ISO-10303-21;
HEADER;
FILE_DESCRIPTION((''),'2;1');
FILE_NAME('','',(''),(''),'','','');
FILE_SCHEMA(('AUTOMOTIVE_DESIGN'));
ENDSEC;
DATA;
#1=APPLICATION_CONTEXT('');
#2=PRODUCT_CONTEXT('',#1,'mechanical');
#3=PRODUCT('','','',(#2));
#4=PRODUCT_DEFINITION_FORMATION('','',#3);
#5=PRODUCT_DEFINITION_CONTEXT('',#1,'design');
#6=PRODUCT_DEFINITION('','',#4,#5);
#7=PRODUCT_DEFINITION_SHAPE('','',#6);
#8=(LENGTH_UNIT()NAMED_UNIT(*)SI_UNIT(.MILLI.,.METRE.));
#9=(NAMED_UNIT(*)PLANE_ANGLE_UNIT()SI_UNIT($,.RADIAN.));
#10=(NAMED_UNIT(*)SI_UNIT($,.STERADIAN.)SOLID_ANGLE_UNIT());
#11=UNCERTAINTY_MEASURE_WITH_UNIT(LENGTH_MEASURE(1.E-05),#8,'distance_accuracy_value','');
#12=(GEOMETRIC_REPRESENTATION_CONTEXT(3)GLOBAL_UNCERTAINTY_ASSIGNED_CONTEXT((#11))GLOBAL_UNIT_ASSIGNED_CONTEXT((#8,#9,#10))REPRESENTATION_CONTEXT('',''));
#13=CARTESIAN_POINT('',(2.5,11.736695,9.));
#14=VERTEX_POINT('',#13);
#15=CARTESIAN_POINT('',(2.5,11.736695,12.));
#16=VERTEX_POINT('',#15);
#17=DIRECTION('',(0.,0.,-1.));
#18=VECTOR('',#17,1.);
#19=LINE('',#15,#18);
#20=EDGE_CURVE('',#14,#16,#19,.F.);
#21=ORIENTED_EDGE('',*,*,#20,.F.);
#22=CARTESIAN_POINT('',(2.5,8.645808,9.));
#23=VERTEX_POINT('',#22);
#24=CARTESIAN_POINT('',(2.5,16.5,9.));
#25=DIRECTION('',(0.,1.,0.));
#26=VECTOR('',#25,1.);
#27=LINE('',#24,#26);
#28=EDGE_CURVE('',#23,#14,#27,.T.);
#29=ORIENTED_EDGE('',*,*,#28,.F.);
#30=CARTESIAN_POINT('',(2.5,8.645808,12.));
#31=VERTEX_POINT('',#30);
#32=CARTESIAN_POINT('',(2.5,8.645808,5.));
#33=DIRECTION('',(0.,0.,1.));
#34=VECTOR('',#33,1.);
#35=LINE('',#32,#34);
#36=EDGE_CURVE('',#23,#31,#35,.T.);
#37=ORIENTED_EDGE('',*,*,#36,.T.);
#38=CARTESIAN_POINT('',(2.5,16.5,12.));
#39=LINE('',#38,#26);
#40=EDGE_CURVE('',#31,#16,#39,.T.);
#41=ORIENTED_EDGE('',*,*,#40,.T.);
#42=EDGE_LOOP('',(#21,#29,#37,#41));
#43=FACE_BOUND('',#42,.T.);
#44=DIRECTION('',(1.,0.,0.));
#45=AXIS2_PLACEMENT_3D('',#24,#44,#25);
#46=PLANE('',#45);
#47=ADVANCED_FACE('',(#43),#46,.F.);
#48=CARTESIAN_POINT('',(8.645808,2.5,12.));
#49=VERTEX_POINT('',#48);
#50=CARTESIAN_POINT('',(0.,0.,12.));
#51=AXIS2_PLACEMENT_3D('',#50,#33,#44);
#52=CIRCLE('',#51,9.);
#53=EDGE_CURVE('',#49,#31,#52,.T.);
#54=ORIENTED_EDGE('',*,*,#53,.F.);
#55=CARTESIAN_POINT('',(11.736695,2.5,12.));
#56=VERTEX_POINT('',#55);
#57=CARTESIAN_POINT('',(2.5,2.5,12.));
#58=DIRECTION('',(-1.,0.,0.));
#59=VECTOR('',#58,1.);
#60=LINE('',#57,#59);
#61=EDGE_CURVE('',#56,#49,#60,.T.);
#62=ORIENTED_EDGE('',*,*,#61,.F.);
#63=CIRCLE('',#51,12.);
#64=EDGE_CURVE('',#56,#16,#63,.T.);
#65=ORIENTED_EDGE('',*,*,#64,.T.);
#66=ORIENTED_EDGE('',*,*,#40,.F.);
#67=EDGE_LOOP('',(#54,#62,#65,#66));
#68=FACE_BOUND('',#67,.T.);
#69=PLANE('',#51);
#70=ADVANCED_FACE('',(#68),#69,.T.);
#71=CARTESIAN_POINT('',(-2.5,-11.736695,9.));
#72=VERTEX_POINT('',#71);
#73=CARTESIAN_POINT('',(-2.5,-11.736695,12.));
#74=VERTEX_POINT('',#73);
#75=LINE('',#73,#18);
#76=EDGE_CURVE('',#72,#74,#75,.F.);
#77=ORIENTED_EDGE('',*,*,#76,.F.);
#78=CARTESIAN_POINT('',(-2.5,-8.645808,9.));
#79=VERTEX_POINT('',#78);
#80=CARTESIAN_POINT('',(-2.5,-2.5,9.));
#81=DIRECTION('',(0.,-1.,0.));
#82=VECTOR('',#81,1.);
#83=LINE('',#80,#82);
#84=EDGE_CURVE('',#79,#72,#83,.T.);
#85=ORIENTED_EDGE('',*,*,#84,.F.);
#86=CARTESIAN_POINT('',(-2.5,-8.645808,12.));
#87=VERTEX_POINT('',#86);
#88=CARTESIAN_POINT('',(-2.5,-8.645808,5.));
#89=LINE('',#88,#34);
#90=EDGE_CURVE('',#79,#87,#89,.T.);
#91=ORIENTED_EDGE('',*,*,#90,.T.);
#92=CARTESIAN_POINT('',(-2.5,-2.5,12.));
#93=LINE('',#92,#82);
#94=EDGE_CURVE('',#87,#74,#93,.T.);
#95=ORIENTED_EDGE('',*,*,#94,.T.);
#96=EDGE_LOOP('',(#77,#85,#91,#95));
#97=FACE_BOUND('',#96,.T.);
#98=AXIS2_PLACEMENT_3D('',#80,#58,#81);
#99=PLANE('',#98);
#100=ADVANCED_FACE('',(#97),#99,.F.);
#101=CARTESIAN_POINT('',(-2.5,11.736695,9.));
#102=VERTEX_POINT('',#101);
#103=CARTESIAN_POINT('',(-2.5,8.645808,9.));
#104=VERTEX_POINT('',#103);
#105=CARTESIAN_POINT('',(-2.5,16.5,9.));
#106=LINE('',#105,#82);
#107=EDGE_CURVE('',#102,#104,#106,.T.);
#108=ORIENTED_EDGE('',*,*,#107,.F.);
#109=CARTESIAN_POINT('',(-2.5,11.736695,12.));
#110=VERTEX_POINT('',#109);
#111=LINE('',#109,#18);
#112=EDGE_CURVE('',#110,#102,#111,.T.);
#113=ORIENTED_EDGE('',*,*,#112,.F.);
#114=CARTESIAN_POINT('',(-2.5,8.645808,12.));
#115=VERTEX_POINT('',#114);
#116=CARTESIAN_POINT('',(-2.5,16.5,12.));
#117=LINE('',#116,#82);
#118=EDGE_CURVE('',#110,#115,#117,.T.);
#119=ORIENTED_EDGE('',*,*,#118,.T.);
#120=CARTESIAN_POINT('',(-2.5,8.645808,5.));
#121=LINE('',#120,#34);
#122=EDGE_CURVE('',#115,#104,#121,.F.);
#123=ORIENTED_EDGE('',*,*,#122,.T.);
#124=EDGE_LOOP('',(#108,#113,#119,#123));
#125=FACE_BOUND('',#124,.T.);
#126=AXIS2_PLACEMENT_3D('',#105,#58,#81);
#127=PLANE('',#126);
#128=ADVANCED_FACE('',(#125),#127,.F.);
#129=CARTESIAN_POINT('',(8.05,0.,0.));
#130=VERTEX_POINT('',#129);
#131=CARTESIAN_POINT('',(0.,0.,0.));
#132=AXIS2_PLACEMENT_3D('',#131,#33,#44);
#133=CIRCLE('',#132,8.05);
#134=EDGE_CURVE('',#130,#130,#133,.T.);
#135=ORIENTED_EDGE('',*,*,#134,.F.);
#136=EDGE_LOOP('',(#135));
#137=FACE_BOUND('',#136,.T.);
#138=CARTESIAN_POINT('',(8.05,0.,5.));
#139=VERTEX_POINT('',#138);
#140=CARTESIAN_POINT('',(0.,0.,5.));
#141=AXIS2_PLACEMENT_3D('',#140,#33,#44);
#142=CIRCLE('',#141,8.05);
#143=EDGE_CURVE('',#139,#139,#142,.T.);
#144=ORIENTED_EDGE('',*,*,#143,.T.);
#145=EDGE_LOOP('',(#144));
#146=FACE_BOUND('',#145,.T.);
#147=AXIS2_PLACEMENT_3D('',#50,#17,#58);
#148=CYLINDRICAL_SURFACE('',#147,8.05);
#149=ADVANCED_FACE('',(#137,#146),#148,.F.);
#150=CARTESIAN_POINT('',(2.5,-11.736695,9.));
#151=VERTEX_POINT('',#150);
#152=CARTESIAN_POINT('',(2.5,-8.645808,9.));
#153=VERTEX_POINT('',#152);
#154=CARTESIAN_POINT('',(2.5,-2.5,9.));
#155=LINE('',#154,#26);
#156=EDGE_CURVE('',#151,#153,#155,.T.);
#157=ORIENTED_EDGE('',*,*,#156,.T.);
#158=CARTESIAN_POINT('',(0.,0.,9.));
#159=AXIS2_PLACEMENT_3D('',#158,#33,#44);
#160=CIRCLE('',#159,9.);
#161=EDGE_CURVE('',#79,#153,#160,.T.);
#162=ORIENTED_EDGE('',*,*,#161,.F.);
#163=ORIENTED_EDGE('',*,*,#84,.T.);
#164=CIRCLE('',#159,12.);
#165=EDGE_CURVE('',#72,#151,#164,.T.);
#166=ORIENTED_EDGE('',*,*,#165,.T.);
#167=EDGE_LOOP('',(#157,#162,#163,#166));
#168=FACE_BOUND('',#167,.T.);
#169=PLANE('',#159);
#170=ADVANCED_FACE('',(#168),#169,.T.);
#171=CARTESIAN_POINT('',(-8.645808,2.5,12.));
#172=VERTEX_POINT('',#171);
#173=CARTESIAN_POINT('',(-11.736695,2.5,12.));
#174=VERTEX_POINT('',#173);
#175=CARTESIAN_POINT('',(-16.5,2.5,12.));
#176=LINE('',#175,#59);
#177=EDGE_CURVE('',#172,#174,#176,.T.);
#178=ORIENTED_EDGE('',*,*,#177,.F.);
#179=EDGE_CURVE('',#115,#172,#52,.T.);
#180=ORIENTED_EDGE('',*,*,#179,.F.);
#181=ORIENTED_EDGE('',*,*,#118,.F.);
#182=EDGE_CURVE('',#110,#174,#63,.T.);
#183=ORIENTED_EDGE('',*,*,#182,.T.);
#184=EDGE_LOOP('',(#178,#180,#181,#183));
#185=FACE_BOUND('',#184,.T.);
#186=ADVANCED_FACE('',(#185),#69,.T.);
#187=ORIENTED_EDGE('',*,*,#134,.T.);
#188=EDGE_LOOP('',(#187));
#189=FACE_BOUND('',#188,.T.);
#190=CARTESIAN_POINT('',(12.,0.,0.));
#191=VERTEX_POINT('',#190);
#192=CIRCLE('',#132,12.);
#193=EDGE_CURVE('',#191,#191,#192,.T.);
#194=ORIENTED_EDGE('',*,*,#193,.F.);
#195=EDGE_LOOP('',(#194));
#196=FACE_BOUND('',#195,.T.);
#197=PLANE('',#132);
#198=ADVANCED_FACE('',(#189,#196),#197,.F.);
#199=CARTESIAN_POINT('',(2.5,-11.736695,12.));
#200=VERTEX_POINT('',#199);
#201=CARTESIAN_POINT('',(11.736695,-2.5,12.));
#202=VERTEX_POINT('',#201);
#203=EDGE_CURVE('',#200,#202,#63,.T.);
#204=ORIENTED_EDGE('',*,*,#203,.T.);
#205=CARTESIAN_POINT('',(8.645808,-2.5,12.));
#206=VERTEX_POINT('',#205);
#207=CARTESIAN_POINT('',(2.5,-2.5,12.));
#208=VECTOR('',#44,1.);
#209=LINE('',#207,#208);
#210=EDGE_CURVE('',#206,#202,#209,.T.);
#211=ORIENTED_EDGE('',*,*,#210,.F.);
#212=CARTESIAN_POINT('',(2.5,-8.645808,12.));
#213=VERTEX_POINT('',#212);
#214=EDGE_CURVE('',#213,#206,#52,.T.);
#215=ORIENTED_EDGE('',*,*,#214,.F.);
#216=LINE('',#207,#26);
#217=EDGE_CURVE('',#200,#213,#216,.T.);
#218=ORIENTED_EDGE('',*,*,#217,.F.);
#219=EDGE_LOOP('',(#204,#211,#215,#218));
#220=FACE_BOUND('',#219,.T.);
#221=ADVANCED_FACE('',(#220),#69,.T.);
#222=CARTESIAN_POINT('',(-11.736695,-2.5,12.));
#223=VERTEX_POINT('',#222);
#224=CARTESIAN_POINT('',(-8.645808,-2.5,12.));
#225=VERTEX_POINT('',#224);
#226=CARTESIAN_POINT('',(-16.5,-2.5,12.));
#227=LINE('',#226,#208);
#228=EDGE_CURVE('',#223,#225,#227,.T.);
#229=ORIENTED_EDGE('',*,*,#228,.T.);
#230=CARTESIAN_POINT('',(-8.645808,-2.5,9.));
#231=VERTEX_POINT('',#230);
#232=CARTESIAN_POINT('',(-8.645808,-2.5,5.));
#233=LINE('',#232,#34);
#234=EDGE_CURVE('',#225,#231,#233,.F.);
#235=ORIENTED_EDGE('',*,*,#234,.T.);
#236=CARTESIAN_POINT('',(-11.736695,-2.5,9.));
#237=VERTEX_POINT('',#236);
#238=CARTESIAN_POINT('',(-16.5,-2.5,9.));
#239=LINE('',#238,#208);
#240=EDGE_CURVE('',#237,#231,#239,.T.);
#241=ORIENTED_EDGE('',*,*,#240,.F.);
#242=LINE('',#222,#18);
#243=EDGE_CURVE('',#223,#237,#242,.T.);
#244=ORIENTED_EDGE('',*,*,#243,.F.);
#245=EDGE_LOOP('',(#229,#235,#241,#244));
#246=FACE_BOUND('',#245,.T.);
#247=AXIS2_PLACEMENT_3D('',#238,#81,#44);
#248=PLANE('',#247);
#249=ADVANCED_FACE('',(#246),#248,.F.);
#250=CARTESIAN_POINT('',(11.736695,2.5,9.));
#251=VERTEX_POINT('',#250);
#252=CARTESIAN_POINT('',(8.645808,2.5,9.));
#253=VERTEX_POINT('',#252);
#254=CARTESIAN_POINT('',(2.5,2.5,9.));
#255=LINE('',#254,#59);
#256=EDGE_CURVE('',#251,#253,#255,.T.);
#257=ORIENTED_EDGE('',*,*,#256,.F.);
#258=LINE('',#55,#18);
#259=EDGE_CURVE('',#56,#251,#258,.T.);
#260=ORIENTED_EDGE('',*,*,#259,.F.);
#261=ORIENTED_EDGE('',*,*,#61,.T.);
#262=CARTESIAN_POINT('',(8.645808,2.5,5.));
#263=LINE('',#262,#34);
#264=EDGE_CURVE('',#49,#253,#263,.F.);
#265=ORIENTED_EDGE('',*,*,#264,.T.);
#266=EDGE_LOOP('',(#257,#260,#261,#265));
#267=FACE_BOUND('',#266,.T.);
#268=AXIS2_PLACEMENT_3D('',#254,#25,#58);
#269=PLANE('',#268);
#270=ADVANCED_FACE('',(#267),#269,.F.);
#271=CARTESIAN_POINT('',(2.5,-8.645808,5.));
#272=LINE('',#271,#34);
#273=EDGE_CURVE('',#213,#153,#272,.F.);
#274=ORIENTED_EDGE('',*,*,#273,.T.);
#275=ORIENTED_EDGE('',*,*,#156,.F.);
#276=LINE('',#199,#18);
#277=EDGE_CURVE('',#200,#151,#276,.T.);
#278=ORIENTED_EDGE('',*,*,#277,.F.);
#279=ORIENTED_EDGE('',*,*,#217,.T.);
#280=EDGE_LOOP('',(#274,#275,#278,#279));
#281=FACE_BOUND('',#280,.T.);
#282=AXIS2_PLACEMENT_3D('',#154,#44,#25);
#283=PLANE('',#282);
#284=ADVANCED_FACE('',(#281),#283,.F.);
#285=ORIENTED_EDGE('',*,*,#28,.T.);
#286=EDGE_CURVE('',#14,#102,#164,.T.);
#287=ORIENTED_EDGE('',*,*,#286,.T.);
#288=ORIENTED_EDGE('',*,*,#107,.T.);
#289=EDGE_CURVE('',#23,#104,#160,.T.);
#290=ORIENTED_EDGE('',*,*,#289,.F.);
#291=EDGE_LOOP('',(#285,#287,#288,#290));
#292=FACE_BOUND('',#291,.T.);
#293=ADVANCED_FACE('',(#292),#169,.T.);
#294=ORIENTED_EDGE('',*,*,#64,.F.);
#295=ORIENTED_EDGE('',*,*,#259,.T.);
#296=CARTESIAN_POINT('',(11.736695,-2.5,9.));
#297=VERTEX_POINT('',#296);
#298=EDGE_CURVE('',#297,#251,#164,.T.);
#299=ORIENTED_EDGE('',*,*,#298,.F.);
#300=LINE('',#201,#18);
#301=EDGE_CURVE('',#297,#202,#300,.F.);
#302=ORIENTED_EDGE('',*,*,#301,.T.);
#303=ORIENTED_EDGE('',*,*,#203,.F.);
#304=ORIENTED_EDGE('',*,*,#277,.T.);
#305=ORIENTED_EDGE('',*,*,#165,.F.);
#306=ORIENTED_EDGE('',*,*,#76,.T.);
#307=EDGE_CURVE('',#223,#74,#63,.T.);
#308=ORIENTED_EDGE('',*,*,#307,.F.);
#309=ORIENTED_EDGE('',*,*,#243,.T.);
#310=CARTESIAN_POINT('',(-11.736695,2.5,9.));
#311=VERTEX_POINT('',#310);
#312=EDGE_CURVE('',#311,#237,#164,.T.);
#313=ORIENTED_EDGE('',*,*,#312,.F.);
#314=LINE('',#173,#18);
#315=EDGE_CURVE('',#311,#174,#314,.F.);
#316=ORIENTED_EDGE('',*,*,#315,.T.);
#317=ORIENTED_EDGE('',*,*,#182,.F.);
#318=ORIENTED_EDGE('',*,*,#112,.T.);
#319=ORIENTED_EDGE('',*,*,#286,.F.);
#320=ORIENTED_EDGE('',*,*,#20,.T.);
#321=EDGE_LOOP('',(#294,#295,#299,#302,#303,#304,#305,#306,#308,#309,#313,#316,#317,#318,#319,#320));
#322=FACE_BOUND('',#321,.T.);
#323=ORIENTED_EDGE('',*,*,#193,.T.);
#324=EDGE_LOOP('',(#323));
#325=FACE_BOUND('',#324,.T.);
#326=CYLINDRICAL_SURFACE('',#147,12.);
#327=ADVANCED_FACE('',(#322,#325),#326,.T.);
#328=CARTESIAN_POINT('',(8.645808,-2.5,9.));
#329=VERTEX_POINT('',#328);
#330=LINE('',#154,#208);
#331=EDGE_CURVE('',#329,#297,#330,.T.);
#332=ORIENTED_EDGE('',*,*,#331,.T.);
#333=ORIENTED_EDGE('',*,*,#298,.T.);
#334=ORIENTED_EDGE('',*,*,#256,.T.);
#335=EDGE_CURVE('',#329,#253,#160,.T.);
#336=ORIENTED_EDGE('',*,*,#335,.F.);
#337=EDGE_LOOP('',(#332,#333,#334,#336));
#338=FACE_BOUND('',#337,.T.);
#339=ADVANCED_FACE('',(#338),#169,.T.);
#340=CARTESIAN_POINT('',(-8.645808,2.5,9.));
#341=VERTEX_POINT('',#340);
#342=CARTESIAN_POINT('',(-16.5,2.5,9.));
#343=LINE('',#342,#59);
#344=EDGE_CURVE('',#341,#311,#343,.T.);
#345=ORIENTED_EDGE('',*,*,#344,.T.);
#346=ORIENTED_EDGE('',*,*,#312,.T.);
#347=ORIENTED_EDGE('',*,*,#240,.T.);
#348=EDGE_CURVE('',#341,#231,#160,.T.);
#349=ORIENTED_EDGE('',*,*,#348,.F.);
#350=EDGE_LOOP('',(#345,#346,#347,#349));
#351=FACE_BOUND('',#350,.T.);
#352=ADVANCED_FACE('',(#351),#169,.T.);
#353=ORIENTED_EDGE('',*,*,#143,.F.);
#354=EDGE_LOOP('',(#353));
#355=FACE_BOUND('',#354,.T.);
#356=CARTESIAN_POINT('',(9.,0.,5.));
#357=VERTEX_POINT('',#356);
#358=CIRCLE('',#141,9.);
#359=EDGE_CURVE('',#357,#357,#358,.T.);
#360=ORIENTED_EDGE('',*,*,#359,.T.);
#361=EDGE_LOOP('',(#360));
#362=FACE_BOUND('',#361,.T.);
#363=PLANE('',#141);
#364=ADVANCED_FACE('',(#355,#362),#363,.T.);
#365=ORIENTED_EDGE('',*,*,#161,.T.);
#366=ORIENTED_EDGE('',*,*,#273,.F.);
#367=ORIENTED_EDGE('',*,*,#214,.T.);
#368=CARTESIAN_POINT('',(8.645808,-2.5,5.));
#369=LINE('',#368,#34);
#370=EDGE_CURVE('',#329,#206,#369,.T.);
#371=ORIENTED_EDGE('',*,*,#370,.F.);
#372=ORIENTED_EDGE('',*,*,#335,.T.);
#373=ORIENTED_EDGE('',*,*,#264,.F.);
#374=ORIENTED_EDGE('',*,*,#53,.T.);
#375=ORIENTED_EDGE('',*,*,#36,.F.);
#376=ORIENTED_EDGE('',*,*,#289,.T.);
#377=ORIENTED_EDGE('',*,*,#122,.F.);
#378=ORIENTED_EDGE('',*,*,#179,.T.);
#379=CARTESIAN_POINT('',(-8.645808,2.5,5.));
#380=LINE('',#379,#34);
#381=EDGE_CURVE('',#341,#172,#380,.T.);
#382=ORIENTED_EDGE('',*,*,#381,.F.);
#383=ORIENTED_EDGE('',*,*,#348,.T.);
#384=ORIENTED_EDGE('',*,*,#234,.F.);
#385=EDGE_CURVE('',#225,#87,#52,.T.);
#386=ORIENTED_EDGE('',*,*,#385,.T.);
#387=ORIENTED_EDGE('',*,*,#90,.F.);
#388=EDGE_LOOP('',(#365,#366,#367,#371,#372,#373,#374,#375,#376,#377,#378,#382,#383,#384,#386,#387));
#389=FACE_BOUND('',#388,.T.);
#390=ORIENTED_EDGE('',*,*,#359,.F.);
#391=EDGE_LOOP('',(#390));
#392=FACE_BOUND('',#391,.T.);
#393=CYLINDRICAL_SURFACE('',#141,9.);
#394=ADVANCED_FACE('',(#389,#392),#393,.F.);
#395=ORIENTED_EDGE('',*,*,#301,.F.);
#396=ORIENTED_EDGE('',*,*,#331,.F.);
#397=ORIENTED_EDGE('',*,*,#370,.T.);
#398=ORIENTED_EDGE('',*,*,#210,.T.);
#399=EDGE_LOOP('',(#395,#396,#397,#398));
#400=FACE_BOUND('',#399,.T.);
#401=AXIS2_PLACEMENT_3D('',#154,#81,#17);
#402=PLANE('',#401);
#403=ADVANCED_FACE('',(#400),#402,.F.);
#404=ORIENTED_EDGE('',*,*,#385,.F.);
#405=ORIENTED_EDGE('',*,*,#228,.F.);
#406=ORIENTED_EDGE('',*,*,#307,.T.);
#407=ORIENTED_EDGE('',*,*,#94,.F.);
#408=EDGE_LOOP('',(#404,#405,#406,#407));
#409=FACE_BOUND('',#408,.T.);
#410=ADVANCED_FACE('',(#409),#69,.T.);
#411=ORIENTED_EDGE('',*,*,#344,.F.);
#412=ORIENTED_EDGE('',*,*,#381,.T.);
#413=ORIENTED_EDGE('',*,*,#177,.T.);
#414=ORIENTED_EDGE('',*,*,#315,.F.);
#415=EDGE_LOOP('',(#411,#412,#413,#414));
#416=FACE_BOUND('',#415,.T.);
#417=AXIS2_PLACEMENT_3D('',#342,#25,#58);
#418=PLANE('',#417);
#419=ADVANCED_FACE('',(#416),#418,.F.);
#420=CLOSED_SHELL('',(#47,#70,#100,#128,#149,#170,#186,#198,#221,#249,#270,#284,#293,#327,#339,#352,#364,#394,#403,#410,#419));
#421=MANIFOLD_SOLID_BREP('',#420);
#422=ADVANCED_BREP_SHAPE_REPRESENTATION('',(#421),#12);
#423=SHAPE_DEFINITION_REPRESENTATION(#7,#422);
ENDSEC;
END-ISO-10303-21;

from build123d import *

# Parameters (mm, degrees)
SKETCH_1_R          = 12
SKETCH_1_R_2        = 8.05
EXTRUDE_1_DEPTH     = 12
CUT_EXTRUDE_1_DEPTH = 3
SKETCH_4_R          = 9
CUT_EXTRUDE_2_DEPTH = 7


with BuildPart() as part:
    # 草图1 → 凸台-拉伸1 (new body)
    with BuildSketch(Plane.XY):
        Circle(SKETCH_1_R)
        Circle(SKETCH_1_R_2, mode=Mode.SUBTRACT)
    extrude(amount=EXTRUDE_1_DEPTH)

    # 草图3 → 切除-拉伸1 (cut)
    with BuildSketch(Plane.XY.offset(12)):
        Polygon((-16.5, 2.5), (-2.5, 2.5), (-2.5, 16.5), (2.5, 16.5), (2.5, 2.5), (16.5, 2.5), (16.5, -2.5), (2.5, -2.5), (2.5, -16.5), (-2.5, -16.5), (-2.5, -2.5), (-16.5, -2.5), align=None)
    extrude(amount=-CUT_EXTRUDE_1_DEPTH, mode=Mode.SUBTRACT)

    # 草图4 → 切除-拉伸2 (cut)
    with BuildSketch(Plane.XY.offset(12)):
        Circle(SKETCH_4_R)
    extrude(amount=-CUT_EXTRUDE_2_DEPTH, mode=Mode.SUBTRACT)


solid = part.part
